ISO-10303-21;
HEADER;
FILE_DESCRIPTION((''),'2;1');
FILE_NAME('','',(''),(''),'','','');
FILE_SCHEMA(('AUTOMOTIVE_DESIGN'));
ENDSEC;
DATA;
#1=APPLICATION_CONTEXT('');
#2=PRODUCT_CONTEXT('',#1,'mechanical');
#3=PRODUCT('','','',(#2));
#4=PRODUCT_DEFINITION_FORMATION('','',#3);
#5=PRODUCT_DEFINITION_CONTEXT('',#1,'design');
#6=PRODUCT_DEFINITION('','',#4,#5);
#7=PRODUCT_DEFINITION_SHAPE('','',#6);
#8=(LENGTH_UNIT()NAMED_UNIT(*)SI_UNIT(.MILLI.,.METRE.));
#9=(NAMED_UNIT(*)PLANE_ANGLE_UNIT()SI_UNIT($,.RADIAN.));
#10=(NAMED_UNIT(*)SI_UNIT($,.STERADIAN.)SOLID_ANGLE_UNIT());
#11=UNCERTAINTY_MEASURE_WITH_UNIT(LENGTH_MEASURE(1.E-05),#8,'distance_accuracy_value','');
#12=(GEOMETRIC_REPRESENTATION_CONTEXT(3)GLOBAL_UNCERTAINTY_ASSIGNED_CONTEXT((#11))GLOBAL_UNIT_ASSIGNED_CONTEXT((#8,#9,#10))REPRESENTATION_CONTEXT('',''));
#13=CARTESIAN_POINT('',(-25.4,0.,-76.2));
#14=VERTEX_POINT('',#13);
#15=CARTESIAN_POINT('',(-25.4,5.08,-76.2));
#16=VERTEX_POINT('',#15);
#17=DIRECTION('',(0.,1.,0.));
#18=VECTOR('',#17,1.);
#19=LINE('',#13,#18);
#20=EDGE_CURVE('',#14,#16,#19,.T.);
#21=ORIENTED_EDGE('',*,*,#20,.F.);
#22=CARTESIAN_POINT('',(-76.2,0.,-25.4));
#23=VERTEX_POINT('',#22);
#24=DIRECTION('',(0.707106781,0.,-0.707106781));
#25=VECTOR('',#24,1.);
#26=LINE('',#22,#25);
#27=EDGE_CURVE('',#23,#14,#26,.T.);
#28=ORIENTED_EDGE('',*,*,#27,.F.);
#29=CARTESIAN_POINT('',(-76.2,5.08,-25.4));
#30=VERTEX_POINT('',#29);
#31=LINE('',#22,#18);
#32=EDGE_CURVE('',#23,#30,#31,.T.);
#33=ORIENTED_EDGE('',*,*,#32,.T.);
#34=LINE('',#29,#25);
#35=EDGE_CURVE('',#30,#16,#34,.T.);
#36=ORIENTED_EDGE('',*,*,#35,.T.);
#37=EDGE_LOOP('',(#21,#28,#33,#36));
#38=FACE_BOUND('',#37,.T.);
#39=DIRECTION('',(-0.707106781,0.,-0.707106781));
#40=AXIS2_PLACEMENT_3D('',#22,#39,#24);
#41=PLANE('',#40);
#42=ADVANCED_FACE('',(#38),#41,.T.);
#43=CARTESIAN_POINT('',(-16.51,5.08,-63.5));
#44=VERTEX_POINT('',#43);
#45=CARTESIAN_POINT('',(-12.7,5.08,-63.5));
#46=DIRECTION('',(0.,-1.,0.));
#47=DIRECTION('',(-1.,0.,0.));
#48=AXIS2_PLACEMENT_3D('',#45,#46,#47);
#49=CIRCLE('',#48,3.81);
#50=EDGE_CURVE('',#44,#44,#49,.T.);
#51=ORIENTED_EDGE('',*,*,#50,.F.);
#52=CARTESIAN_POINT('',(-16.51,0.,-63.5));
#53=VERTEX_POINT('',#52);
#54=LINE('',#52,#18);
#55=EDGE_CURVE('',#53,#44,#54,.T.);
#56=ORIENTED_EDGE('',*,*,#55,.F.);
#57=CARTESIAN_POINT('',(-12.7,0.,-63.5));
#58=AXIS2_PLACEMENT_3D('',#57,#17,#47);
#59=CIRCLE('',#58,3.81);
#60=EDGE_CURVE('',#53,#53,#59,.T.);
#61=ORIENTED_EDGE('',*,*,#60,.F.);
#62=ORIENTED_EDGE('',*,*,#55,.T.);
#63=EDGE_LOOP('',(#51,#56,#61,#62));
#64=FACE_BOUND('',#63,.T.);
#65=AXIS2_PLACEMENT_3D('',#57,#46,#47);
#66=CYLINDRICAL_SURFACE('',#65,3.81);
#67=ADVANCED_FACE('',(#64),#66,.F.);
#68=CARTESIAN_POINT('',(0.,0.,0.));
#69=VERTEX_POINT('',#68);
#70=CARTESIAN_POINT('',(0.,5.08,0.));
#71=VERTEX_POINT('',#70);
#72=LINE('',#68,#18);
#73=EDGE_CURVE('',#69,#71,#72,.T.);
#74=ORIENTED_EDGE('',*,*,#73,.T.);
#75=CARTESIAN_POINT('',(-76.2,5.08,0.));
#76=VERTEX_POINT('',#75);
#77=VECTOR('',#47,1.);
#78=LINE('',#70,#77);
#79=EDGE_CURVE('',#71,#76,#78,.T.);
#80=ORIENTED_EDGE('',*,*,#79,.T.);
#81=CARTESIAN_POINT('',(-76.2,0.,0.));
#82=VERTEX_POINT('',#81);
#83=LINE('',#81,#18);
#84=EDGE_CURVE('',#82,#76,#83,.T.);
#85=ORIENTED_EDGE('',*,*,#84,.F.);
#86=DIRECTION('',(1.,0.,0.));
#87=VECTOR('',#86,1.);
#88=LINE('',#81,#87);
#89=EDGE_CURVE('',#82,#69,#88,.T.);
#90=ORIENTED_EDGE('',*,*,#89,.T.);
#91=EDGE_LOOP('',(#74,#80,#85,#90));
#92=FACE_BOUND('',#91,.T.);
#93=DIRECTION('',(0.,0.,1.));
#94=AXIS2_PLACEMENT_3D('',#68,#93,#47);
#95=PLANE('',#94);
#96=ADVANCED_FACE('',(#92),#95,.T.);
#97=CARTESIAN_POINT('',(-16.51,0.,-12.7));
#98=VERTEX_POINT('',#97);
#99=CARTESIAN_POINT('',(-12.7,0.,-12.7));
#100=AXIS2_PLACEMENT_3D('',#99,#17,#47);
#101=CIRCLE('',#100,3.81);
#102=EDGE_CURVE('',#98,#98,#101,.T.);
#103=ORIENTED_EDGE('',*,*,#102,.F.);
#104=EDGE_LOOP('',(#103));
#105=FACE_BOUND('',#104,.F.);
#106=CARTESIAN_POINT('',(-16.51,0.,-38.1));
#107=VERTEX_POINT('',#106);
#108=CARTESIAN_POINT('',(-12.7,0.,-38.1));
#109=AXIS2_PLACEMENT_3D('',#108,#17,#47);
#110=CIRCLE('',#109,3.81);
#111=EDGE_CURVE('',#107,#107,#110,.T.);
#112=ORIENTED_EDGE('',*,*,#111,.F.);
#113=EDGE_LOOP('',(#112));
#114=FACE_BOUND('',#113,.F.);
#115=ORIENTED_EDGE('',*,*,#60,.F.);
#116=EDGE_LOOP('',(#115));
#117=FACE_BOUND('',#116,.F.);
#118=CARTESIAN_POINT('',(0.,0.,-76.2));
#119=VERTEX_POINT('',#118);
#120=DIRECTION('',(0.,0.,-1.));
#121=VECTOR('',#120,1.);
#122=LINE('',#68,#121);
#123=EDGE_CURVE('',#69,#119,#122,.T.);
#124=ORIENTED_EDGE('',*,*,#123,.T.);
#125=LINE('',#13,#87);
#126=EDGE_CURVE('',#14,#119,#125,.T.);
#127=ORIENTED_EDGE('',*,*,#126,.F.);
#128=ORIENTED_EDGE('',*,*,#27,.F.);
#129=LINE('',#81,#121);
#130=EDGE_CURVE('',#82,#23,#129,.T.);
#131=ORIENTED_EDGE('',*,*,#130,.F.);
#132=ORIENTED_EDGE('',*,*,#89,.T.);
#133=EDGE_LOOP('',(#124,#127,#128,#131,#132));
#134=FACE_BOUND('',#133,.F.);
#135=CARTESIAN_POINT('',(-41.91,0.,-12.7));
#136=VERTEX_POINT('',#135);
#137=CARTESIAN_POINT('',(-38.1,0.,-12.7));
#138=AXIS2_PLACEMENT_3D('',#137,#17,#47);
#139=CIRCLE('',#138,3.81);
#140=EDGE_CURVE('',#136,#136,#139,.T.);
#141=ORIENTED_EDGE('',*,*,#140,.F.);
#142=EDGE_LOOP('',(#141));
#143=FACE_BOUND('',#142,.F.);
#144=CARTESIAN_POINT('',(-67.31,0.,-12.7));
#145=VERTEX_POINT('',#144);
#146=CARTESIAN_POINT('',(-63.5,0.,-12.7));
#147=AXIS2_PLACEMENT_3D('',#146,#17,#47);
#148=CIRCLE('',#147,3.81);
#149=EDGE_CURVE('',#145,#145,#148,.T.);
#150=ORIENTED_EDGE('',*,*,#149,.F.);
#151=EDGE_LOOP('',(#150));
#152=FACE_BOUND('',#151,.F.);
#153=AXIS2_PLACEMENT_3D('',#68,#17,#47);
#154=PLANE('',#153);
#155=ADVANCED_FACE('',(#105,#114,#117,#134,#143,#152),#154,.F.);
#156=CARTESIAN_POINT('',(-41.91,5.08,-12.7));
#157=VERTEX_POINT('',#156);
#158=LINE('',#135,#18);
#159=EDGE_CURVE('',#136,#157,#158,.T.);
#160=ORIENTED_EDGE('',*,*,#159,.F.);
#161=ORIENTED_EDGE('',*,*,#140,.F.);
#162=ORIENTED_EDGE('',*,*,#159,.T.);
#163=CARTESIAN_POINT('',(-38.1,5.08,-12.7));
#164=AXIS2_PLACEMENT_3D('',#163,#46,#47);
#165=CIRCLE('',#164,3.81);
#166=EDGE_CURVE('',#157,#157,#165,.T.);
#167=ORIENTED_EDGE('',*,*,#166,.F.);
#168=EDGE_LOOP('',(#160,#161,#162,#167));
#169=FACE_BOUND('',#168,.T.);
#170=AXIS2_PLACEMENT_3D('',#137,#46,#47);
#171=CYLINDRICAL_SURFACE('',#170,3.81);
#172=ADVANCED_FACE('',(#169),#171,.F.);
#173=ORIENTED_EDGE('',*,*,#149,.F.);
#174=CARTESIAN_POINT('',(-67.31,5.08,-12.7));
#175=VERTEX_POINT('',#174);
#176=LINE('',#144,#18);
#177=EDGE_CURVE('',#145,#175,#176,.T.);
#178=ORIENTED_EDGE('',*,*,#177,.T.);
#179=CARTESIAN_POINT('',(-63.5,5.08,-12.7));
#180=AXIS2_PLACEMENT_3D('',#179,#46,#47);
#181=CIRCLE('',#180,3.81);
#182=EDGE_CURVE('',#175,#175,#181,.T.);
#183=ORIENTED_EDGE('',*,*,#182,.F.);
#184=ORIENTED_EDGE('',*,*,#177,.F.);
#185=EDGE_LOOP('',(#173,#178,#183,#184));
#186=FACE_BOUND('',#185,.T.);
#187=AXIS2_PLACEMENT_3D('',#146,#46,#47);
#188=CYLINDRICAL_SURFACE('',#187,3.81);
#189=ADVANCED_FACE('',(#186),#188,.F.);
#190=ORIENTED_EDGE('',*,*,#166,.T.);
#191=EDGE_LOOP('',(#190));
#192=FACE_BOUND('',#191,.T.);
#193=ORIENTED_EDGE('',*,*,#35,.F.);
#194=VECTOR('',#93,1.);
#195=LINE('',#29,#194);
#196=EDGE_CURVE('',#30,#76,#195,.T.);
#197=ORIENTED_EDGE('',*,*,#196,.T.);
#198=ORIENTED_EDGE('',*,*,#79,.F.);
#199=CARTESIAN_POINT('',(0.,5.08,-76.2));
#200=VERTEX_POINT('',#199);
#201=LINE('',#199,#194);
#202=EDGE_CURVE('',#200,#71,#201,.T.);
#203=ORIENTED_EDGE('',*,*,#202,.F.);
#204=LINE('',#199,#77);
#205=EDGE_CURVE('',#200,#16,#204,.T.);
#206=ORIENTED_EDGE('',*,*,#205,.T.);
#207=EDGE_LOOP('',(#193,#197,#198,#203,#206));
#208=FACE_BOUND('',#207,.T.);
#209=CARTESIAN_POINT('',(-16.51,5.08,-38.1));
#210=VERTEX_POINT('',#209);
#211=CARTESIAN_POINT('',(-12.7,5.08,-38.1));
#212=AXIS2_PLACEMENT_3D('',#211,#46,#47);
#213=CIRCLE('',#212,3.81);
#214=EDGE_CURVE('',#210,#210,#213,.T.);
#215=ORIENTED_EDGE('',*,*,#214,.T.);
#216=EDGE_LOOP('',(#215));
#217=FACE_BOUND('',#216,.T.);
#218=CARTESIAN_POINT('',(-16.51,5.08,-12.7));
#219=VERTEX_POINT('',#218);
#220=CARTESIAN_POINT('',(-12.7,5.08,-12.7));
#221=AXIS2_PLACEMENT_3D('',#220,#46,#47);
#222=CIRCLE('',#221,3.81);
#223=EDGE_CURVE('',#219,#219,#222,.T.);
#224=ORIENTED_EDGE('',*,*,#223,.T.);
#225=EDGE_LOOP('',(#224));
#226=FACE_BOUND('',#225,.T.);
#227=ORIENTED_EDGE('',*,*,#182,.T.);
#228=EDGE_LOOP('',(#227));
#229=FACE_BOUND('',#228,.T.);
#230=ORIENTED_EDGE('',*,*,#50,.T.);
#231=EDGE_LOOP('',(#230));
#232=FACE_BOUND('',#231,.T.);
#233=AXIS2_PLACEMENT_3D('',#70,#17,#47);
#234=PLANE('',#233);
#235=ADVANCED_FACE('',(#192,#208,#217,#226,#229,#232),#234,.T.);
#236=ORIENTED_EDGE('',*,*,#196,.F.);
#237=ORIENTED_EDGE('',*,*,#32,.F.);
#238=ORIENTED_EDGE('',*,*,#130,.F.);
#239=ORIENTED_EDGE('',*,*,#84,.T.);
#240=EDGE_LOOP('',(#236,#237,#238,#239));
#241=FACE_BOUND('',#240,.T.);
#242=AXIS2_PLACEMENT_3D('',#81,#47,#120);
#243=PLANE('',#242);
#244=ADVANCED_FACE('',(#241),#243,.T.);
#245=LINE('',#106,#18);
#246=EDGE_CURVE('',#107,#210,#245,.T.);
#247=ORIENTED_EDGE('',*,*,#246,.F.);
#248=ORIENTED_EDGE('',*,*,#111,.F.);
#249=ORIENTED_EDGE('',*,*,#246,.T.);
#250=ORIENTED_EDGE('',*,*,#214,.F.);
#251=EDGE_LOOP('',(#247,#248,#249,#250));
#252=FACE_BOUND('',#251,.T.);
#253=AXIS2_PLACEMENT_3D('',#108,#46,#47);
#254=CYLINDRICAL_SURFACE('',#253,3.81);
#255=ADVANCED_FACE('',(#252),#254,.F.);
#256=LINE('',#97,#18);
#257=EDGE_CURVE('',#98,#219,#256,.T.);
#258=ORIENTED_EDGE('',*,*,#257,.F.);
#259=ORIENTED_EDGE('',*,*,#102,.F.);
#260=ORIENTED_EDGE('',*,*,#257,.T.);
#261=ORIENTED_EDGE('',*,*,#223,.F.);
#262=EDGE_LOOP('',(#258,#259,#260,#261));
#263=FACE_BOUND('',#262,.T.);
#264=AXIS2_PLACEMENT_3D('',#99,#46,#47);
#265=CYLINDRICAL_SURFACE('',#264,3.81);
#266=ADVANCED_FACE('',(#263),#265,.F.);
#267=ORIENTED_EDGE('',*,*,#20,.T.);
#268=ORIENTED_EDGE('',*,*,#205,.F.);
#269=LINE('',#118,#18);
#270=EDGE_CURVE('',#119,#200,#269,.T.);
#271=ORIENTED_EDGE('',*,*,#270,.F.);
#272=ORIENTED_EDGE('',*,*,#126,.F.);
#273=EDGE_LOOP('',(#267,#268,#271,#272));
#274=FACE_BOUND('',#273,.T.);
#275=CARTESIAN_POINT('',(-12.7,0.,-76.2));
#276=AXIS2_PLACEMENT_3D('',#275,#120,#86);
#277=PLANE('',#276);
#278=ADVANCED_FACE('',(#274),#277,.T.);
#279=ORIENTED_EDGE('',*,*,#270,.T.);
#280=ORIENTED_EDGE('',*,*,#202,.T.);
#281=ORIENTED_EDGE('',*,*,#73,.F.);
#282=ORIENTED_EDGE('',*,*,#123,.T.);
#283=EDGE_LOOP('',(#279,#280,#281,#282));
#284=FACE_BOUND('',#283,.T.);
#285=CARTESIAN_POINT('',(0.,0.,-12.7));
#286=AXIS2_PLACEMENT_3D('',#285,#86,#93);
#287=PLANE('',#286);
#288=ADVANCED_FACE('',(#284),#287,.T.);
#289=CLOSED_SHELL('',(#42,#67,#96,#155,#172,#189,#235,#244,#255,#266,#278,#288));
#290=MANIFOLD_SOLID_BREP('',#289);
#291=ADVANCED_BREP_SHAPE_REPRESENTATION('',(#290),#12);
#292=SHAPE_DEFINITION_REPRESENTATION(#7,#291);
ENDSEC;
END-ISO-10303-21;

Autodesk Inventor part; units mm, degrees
ref_plane "YZ Plane" through (0, 0, 0) normal (1, 0, 0) x (0, 1, 0)
ref_plane "XZ Plane" through (0, 0, 0) normal (0, 1, 0) x (-1, 0, 0)
ref_plane "XY Plane" through (0, 0, 0) normal (0, 0, 1) x (1, 0, 0)
sketch "Sketch1" plane through (0, 0, 0) normal (0, 1, 0) x (-1, 0, 0)
  line L0 (0, 0) -> (25.4, 0)
  line L1 (25.4, 0) -> (25.4, -76.2)
  line L2 (25.4, -76.2) -> (0, -76.2)
  line L3 (0, -76.2) -> (0, 0)
  line L4 (0, 0) -> (76.2, 0)
  line L5 (76.2, 0) -> (76.2, -25.4)
  line L6 (76.2, -25.4) -> (0, -25.4)
  line L7 (0, -25.4) -> (0, 0)
  line L8 (76.2, -12.7) -> (0, -12.7)
  line L9 (12.7, -76.2) -> (12.7, 0)
  line L10 (12.7, -12.7) -> (38.1, -12.7)
  line L11 (38.1, -12.7) -> (63.5, -12.7)
  line L12 (12.7, -12.7) -> (12.7, -38.1)
  line L13 (12.7, -38.1) -> (12.7, -63.5)
  circle A0 centre (12.7, -12.7) radius 3.81
  circle A1 centre (38.1, -12.7) radius 3.81
  circle A2 centre (63.5, -12.7) radius 3.81
  circle A3 centre (12.7, -38.1) radius 3.81
  circle A4 centre (12.7, -63.5) radius 3.81
  line L14 (76.2, -25.4) -> (25.4, -76.2)
  point P0 (25.4, -25.4)
  dimension "d0" = 25.4
  dimension "d1" = 76.2
  dimension "d2" = 76.2
  dimension "d3" = 25.4
  dimension "d4" = 25.4
  dimension "d5" = 25.4
  dimension "d6" = 25.4
  dimension "d7" = 25.4
  dimension "d8" = 7.62
  dimension "d9" = 7.62
  dimension "d10" = 7.62
  dimension "d11" = 7.62
  dimension "d12" = 7.62
extrude "Extrusion1" add sketch "Sketch1" along normal blind 5.08 contours L0 L9 A0 L8 L3 | L0 L1 L8 A0 L9 | L8 A0 L9 L6 L3 | L4 L5 L8 A2 A1 L1 | L6 L9 A3 A4 L2 L3 | L8 A1 A2 L5 L6 L1 | L1 L6 L9 A0 L8 | L6 L1 L2 L9 A4 A3 | L6 L14 L1
equation "\"d9\" = d8"
equation "\"d10\" = d8"
equation "\"d11\" = d8"
equation "\"d12\" = d8"
properties part number "corner_bracket" material "Aluminum 6061"
